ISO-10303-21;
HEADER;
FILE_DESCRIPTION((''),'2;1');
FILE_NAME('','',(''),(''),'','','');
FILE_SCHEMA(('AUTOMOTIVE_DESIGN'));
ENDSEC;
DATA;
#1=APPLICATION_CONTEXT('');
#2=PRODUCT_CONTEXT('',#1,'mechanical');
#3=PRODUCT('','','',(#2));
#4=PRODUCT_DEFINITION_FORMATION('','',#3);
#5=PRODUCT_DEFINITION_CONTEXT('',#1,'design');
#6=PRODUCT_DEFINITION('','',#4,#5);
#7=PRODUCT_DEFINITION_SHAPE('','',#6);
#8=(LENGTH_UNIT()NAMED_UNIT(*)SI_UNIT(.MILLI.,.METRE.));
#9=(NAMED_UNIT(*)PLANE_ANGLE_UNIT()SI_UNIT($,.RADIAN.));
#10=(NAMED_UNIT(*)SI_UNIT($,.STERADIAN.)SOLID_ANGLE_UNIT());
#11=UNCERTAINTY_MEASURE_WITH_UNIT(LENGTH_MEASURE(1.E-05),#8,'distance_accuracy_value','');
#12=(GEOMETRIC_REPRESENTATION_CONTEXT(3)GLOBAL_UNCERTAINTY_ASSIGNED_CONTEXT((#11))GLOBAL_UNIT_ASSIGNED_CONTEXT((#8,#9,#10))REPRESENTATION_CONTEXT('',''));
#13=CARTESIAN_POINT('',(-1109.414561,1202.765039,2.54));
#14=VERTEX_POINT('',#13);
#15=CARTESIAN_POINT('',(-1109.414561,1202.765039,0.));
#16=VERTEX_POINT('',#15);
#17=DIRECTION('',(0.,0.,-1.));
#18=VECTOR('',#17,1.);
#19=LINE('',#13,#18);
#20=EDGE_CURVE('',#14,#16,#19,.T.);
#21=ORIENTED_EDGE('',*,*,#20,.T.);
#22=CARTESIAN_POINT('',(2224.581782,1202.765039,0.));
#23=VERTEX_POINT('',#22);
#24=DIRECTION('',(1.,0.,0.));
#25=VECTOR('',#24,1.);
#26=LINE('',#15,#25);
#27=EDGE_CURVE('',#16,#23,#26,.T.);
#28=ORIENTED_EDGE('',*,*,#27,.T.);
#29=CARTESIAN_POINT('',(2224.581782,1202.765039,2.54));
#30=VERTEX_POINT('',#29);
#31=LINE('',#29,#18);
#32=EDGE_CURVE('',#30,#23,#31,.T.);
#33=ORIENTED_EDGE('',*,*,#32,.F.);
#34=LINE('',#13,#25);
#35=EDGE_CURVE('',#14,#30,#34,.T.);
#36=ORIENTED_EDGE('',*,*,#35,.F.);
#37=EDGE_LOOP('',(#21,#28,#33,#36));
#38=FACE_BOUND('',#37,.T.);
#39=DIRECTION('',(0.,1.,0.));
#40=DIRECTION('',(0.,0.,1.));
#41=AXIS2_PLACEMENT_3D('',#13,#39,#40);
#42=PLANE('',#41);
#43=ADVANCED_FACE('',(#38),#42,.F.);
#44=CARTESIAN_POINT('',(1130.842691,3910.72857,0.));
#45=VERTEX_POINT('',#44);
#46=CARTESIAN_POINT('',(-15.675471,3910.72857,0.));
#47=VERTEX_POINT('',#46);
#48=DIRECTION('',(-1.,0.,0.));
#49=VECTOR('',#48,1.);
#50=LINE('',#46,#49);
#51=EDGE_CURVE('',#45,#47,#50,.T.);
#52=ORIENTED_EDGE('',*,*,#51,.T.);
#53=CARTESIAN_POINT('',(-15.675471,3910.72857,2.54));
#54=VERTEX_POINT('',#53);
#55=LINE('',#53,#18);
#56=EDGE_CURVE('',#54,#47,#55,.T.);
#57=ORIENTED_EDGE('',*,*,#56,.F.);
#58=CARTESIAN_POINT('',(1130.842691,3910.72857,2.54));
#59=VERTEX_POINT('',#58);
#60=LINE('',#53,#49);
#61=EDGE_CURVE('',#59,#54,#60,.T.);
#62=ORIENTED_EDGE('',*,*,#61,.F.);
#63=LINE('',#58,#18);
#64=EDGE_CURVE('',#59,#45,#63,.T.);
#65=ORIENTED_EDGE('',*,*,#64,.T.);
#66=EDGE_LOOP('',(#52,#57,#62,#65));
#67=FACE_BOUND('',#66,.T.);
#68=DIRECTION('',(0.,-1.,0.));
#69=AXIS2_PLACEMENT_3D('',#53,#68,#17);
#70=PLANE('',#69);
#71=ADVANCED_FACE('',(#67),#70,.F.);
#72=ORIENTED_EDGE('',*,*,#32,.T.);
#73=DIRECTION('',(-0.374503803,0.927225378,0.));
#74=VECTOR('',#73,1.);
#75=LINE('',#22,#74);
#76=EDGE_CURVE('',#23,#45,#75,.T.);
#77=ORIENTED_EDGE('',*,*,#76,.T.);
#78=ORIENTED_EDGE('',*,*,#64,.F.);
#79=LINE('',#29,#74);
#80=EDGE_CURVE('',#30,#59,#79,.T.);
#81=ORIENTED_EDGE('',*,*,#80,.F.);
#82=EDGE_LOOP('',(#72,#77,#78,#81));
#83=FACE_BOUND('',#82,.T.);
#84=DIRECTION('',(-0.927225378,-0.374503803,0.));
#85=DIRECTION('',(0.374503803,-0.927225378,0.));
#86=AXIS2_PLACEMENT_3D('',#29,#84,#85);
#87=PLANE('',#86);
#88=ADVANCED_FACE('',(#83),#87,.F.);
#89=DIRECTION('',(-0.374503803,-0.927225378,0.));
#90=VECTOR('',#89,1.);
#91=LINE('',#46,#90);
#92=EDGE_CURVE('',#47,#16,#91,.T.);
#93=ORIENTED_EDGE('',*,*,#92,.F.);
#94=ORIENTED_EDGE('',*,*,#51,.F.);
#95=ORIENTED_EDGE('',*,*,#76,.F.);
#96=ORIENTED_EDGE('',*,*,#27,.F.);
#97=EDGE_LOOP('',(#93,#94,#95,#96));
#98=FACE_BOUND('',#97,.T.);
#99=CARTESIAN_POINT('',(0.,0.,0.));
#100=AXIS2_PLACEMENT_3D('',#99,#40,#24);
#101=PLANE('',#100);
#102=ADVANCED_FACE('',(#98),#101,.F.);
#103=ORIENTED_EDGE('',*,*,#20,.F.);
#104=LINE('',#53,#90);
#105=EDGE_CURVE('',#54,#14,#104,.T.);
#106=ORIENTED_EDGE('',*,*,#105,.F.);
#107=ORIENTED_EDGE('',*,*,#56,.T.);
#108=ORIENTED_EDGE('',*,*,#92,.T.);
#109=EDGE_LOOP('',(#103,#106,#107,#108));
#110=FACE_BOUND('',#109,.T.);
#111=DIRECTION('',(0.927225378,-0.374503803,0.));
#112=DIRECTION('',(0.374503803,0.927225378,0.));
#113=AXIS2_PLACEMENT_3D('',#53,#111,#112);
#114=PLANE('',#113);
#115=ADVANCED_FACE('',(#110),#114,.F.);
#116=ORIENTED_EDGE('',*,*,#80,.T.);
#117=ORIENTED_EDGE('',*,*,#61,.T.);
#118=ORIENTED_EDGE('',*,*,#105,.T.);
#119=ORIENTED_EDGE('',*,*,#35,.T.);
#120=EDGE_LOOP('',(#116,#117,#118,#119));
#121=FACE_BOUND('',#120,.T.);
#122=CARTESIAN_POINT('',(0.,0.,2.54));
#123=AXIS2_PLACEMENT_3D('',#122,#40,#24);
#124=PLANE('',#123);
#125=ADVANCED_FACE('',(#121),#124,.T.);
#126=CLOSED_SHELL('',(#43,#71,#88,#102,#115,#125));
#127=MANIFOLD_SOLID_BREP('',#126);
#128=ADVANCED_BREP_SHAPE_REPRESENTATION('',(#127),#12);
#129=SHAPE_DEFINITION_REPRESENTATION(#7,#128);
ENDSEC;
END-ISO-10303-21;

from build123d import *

# Parameters (mm, degrees)
BOSS_EXTRUDE1_DEPTH = 2.54


with BuildPart() as part:
    # Sketch1 → Boss-Extrude1 (new body)
    with BuildSketch(Plane.XY):
        Polygon((-15.675470623, 3910.728570059), (-1109.414561326, 1202.765038925), (2224.581782136, 1202.765038925), (1130.842691433, 3910.728570059), align=None)
    extrude(amount=BOSS_EXTRUDE1_DEPTH)


solid = part.part
